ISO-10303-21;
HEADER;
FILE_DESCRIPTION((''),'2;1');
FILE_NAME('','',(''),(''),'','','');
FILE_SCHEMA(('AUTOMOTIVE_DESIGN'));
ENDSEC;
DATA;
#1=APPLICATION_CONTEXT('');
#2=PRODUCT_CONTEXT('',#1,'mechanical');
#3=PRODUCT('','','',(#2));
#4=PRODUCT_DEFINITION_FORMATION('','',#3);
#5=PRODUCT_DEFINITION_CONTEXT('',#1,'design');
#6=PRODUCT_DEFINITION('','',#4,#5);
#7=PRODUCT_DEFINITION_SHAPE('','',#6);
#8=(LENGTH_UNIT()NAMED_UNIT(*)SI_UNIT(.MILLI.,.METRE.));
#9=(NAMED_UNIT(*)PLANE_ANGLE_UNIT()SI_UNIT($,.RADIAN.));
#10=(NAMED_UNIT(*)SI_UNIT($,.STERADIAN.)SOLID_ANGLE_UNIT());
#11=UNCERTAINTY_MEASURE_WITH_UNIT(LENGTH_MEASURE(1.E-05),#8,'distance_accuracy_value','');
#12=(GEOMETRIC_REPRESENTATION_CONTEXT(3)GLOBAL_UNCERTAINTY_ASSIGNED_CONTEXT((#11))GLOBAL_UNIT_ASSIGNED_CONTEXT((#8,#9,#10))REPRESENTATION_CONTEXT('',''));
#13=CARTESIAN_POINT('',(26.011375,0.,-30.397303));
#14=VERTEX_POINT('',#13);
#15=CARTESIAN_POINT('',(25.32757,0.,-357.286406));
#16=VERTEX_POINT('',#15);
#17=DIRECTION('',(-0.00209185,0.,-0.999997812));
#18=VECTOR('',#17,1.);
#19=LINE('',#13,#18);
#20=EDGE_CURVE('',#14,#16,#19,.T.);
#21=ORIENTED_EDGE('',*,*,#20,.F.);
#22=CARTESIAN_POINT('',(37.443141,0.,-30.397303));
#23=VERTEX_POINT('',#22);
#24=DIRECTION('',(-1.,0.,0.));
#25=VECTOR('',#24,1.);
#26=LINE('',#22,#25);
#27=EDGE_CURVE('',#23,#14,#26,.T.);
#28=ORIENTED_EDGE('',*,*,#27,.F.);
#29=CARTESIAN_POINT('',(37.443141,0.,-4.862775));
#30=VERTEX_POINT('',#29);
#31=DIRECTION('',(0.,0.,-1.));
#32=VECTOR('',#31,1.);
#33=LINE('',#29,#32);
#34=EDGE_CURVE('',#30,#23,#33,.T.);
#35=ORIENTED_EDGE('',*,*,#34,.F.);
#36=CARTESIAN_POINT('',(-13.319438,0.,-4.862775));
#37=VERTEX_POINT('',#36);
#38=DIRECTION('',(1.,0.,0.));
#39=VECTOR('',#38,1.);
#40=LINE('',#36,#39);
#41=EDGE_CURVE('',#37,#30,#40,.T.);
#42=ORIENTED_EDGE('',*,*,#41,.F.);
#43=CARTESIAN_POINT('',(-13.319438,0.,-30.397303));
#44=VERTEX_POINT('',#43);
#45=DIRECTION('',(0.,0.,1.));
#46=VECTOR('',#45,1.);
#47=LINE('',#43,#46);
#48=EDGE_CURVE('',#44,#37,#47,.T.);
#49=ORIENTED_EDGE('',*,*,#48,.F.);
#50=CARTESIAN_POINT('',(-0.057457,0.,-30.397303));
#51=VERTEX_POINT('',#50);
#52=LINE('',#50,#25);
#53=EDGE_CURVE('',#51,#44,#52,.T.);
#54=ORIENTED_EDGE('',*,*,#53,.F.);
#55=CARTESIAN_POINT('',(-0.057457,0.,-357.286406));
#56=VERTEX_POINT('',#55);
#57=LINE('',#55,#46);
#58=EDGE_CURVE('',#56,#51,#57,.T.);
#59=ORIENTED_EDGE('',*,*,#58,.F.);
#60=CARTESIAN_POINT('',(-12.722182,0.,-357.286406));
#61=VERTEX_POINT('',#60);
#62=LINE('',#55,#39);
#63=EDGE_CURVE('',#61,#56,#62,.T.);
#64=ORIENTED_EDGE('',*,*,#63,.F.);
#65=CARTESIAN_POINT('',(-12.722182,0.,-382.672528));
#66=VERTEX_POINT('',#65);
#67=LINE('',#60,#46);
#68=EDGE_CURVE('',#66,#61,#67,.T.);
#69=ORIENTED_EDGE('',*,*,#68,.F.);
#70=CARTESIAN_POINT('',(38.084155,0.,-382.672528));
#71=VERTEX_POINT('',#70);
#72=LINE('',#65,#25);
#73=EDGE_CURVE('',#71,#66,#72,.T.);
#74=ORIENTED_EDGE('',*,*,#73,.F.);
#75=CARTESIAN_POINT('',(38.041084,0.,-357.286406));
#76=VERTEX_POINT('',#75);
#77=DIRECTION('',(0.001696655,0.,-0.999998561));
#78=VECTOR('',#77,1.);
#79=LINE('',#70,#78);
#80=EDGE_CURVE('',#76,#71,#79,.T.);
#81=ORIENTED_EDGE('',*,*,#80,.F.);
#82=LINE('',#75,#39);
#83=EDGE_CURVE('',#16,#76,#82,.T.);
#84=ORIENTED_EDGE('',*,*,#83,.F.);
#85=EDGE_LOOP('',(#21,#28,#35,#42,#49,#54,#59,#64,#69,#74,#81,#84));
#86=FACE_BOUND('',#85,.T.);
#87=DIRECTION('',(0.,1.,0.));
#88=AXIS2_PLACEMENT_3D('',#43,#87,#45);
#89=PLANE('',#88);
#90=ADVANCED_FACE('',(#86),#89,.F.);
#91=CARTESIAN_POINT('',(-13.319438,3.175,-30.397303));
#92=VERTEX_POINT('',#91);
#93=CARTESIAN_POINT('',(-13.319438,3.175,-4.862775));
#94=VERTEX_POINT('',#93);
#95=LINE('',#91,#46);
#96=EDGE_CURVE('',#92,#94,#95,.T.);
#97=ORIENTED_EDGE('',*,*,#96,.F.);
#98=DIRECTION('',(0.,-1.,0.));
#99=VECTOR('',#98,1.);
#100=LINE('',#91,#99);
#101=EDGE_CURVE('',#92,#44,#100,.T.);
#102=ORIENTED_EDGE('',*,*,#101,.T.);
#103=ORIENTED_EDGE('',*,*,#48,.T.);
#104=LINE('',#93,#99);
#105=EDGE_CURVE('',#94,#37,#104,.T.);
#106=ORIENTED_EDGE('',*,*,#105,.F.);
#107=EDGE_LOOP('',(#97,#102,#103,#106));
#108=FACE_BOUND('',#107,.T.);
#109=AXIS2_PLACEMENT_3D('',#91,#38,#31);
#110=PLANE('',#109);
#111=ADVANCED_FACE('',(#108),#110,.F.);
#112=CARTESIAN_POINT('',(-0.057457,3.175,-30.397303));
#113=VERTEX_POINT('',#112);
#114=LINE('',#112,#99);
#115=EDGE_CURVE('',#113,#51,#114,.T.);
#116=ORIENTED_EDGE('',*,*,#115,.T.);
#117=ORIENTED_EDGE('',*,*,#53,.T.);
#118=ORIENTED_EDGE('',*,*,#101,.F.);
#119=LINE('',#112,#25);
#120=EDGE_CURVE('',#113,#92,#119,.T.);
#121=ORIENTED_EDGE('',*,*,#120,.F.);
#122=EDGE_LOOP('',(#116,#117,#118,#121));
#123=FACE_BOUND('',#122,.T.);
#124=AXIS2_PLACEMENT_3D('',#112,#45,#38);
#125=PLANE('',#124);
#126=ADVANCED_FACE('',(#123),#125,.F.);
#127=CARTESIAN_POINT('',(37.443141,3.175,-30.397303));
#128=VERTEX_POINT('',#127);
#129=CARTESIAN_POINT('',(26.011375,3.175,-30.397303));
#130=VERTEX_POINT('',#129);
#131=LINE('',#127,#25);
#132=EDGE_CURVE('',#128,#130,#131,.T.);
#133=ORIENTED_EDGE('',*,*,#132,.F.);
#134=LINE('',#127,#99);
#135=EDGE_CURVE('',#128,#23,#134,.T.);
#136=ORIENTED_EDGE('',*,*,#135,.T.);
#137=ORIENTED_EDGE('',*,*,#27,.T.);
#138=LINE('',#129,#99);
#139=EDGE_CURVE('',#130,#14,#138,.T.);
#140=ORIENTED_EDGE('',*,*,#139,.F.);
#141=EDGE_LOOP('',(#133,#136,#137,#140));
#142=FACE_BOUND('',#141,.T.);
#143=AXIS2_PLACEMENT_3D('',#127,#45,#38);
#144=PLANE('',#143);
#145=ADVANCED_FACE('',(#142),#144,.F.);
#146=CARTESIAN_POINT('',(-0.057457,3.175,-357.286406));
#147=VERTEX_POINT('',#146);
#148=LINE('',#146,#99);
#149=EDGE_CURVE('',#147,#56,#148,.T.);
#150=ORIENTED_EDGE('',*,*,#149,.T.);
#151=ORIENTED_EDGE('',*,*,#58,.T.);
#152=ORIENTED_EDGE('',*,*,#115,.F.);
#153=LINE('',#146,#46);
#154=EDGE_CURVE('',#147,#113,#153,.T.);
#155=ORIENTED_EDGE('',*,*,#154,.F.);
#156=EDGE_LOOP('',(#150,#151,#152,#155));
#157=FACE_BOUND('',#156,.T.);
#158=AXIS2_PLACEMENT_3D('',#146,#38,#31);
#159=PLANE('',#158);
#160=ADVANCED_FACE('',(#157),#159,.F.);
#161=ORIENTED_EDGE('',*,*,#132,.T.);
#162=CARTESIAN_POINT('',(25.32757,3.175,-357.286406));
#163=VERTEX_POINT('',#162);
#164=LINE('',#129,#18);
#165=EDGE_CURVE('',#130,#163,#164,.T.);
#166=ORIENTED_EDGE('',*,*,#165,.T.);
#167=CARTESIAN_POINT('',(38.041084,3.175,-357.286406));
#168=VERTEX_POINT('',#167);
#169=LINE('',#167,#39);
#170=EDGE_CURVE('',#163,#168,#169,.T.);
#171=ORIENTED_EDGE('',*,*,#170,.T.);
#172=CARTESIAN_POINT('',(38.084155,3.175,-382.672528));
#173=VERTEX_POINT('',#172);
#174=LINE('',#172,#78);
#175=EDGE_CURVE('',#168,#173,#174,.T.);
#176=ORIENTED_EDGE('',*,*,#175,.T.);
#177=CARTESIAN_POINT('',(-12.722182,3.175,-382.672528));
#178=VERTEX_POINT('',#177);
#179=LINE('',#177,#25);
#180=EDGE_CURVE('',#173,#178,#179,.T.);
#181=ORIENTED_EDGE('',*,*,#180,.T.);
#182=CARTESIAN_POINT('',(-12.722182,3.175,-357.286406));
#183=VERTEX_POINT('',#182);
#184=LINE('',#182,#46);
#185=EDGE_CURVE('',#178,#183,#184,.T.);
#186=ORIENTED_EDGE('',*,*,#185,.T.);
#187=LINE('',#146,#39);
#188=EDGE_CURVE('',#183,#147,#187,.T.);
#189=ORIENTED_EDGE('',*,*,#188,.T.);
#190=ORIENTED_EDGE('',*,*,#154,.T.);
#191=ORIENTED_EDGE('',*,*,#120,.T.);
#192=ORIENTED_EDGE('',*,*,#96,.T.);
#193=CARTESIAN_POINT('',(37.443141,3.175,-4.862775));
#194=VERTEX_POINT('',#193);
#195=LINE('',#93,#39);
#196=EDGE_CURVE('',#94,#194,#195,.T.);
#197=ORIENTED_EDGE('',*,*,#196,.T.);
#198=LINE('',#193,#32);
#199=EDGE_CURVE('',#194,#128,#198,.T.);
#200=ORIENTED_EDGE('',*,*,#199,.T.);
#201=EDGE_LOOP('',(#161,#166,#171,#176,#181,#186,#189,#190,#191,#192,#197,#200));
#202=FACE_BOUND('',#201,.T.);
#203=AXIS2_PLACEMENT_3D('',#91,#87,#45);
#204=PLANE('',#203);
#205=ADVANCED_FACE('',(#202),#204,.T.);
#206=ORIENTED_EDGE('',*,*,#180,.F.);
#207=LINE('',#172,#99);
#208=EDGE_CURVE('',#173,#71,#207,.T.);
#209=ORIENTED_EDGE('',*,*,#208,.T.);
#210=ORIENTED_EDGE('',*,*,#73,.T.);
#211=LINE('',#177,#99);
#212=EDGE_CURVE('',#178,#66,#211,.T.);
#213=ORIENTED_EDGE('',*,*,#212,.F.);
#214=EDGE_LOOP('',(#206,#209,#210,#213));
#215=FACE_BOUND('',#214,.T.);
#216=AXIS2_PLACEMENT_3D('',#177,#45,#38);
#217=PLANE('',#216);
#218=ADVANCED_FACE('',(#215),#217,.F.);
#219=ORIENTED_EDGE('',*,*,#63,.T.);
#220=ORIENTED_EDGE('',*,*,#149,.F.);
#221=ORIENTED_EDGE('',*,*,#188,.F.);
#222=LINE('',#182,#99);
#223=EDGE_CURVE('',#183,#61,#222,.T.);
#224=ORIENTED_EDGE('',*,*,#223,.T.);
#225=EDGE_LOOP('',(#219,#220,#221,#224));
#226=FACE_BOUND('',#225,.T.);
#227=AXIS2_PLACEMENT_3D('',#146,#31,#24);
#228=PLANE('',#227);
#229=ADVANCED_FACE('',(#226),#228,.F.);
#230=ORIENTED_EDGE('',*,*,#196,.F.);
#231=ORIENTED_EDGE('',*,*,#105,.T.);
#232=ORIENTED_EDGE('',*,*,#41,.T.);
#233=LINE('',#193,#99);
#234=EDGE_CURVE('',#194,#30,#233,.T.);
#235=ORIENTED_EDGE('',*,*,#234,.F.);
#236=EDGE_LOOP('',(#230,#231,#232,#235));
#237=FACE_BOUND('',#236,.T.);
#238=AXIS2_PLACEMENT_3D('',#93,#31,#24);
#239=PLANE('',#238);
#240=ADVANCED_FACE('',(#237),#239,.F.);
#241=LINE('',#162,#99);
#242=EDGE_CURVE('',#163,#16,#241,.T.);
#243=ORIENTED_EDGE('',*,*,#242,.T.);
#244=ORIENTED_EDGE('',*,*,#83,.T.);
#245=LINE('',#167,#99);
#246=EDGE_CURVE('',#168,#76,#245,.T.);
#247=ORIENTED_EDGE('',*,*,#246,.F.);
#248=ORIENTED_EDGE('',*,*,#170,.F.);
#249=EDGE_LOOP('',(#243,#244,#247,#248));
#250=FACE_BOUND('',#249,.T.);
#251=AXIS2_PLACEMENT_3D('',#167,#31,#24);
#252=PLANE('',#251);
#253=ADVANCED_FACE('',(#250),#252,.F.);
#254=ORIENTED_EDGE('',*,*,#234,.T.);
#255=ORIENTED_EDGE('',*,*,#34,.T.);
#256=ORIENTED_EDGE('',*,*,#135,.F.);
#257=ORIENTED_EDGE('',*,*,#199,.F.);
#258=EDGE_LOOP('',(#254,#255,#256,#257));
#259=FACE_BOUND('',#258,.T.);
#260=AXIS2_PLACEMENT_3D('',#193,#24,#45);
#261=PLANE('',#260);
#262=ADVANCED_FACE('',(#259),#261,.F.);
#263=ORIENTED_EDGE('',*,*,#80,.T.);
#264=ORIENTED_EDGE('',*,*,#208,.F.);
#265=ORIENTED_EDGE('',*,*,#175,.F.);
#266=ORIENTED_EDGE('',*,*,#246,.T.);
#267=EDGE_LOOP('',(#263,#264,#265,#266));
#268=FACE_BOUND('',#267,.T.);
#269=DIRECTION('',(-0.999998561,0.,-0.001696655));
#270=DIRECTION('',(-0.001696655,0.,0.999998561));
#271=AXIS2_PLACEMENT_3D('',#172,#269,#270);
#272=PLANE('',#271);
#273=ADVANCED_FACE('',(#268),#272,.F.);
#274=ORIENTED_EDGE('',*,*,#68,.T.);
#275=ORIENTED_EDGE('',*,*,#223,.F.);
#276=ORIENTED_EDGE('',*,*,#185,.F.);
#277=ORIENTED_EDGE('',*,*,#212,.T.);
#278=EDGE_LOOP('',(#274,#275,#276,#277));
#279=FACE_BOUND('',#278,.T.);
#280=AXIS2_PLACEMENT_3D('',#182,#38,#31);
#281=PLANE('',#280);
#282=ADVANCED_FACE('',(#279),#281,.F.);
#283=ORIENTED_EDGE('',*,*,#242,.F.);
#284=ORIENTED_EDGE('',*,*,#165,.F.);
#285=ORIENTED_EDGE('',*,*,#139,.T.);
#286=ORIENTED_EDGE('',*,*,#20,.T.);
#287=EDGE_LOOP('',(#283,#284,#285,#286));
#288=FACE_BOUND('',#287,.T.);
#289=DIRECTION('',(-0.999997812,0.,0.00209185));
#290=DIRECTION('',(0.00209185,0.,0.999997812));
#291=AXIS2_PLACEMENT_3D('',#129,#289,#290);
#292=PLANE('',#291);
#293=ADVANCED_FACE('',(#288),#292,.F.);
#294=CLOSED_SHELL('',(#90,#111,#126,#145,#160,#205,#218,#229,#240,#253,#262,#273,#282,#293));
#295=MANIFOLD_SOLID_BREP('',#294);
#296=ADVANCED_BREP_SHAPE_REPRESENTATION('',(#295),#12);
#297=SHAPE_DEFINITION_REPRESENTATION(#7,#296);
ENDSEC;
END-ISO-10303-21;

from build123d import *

# Parameters (mm, degrees)
BOSS_EXTRUDE1_DEPTH = 3.175


with BuildPart() as part:
    # Sketch1 → Boss-Extrude1 (new body)
    with BuildSketch(Plane(origin=(0, 0, 0), x_dir=(1, 0, 0), z_dir=(0, 1, 0))):
        Polygon((-0.057457164, 357.286405716), (-12.72218241, 357.286405716), (-12.72218241, 382.672528004), (38.084155299, 382.672528004), (38.041083739, 357.286405716), (25.327570208, 357.286405716), (26.011374652, 30.397302739), (37.443141483, 30.397302739), (37.443141483, 4.862775301), (-13.319438006, 4.862775301), (-13.319438006, 30.397302739), (-0.057457164, 30.397302739), align=None)
    extrude(amount=BOSS_EXTRUDE1_DEPTH)


solid = part.part
